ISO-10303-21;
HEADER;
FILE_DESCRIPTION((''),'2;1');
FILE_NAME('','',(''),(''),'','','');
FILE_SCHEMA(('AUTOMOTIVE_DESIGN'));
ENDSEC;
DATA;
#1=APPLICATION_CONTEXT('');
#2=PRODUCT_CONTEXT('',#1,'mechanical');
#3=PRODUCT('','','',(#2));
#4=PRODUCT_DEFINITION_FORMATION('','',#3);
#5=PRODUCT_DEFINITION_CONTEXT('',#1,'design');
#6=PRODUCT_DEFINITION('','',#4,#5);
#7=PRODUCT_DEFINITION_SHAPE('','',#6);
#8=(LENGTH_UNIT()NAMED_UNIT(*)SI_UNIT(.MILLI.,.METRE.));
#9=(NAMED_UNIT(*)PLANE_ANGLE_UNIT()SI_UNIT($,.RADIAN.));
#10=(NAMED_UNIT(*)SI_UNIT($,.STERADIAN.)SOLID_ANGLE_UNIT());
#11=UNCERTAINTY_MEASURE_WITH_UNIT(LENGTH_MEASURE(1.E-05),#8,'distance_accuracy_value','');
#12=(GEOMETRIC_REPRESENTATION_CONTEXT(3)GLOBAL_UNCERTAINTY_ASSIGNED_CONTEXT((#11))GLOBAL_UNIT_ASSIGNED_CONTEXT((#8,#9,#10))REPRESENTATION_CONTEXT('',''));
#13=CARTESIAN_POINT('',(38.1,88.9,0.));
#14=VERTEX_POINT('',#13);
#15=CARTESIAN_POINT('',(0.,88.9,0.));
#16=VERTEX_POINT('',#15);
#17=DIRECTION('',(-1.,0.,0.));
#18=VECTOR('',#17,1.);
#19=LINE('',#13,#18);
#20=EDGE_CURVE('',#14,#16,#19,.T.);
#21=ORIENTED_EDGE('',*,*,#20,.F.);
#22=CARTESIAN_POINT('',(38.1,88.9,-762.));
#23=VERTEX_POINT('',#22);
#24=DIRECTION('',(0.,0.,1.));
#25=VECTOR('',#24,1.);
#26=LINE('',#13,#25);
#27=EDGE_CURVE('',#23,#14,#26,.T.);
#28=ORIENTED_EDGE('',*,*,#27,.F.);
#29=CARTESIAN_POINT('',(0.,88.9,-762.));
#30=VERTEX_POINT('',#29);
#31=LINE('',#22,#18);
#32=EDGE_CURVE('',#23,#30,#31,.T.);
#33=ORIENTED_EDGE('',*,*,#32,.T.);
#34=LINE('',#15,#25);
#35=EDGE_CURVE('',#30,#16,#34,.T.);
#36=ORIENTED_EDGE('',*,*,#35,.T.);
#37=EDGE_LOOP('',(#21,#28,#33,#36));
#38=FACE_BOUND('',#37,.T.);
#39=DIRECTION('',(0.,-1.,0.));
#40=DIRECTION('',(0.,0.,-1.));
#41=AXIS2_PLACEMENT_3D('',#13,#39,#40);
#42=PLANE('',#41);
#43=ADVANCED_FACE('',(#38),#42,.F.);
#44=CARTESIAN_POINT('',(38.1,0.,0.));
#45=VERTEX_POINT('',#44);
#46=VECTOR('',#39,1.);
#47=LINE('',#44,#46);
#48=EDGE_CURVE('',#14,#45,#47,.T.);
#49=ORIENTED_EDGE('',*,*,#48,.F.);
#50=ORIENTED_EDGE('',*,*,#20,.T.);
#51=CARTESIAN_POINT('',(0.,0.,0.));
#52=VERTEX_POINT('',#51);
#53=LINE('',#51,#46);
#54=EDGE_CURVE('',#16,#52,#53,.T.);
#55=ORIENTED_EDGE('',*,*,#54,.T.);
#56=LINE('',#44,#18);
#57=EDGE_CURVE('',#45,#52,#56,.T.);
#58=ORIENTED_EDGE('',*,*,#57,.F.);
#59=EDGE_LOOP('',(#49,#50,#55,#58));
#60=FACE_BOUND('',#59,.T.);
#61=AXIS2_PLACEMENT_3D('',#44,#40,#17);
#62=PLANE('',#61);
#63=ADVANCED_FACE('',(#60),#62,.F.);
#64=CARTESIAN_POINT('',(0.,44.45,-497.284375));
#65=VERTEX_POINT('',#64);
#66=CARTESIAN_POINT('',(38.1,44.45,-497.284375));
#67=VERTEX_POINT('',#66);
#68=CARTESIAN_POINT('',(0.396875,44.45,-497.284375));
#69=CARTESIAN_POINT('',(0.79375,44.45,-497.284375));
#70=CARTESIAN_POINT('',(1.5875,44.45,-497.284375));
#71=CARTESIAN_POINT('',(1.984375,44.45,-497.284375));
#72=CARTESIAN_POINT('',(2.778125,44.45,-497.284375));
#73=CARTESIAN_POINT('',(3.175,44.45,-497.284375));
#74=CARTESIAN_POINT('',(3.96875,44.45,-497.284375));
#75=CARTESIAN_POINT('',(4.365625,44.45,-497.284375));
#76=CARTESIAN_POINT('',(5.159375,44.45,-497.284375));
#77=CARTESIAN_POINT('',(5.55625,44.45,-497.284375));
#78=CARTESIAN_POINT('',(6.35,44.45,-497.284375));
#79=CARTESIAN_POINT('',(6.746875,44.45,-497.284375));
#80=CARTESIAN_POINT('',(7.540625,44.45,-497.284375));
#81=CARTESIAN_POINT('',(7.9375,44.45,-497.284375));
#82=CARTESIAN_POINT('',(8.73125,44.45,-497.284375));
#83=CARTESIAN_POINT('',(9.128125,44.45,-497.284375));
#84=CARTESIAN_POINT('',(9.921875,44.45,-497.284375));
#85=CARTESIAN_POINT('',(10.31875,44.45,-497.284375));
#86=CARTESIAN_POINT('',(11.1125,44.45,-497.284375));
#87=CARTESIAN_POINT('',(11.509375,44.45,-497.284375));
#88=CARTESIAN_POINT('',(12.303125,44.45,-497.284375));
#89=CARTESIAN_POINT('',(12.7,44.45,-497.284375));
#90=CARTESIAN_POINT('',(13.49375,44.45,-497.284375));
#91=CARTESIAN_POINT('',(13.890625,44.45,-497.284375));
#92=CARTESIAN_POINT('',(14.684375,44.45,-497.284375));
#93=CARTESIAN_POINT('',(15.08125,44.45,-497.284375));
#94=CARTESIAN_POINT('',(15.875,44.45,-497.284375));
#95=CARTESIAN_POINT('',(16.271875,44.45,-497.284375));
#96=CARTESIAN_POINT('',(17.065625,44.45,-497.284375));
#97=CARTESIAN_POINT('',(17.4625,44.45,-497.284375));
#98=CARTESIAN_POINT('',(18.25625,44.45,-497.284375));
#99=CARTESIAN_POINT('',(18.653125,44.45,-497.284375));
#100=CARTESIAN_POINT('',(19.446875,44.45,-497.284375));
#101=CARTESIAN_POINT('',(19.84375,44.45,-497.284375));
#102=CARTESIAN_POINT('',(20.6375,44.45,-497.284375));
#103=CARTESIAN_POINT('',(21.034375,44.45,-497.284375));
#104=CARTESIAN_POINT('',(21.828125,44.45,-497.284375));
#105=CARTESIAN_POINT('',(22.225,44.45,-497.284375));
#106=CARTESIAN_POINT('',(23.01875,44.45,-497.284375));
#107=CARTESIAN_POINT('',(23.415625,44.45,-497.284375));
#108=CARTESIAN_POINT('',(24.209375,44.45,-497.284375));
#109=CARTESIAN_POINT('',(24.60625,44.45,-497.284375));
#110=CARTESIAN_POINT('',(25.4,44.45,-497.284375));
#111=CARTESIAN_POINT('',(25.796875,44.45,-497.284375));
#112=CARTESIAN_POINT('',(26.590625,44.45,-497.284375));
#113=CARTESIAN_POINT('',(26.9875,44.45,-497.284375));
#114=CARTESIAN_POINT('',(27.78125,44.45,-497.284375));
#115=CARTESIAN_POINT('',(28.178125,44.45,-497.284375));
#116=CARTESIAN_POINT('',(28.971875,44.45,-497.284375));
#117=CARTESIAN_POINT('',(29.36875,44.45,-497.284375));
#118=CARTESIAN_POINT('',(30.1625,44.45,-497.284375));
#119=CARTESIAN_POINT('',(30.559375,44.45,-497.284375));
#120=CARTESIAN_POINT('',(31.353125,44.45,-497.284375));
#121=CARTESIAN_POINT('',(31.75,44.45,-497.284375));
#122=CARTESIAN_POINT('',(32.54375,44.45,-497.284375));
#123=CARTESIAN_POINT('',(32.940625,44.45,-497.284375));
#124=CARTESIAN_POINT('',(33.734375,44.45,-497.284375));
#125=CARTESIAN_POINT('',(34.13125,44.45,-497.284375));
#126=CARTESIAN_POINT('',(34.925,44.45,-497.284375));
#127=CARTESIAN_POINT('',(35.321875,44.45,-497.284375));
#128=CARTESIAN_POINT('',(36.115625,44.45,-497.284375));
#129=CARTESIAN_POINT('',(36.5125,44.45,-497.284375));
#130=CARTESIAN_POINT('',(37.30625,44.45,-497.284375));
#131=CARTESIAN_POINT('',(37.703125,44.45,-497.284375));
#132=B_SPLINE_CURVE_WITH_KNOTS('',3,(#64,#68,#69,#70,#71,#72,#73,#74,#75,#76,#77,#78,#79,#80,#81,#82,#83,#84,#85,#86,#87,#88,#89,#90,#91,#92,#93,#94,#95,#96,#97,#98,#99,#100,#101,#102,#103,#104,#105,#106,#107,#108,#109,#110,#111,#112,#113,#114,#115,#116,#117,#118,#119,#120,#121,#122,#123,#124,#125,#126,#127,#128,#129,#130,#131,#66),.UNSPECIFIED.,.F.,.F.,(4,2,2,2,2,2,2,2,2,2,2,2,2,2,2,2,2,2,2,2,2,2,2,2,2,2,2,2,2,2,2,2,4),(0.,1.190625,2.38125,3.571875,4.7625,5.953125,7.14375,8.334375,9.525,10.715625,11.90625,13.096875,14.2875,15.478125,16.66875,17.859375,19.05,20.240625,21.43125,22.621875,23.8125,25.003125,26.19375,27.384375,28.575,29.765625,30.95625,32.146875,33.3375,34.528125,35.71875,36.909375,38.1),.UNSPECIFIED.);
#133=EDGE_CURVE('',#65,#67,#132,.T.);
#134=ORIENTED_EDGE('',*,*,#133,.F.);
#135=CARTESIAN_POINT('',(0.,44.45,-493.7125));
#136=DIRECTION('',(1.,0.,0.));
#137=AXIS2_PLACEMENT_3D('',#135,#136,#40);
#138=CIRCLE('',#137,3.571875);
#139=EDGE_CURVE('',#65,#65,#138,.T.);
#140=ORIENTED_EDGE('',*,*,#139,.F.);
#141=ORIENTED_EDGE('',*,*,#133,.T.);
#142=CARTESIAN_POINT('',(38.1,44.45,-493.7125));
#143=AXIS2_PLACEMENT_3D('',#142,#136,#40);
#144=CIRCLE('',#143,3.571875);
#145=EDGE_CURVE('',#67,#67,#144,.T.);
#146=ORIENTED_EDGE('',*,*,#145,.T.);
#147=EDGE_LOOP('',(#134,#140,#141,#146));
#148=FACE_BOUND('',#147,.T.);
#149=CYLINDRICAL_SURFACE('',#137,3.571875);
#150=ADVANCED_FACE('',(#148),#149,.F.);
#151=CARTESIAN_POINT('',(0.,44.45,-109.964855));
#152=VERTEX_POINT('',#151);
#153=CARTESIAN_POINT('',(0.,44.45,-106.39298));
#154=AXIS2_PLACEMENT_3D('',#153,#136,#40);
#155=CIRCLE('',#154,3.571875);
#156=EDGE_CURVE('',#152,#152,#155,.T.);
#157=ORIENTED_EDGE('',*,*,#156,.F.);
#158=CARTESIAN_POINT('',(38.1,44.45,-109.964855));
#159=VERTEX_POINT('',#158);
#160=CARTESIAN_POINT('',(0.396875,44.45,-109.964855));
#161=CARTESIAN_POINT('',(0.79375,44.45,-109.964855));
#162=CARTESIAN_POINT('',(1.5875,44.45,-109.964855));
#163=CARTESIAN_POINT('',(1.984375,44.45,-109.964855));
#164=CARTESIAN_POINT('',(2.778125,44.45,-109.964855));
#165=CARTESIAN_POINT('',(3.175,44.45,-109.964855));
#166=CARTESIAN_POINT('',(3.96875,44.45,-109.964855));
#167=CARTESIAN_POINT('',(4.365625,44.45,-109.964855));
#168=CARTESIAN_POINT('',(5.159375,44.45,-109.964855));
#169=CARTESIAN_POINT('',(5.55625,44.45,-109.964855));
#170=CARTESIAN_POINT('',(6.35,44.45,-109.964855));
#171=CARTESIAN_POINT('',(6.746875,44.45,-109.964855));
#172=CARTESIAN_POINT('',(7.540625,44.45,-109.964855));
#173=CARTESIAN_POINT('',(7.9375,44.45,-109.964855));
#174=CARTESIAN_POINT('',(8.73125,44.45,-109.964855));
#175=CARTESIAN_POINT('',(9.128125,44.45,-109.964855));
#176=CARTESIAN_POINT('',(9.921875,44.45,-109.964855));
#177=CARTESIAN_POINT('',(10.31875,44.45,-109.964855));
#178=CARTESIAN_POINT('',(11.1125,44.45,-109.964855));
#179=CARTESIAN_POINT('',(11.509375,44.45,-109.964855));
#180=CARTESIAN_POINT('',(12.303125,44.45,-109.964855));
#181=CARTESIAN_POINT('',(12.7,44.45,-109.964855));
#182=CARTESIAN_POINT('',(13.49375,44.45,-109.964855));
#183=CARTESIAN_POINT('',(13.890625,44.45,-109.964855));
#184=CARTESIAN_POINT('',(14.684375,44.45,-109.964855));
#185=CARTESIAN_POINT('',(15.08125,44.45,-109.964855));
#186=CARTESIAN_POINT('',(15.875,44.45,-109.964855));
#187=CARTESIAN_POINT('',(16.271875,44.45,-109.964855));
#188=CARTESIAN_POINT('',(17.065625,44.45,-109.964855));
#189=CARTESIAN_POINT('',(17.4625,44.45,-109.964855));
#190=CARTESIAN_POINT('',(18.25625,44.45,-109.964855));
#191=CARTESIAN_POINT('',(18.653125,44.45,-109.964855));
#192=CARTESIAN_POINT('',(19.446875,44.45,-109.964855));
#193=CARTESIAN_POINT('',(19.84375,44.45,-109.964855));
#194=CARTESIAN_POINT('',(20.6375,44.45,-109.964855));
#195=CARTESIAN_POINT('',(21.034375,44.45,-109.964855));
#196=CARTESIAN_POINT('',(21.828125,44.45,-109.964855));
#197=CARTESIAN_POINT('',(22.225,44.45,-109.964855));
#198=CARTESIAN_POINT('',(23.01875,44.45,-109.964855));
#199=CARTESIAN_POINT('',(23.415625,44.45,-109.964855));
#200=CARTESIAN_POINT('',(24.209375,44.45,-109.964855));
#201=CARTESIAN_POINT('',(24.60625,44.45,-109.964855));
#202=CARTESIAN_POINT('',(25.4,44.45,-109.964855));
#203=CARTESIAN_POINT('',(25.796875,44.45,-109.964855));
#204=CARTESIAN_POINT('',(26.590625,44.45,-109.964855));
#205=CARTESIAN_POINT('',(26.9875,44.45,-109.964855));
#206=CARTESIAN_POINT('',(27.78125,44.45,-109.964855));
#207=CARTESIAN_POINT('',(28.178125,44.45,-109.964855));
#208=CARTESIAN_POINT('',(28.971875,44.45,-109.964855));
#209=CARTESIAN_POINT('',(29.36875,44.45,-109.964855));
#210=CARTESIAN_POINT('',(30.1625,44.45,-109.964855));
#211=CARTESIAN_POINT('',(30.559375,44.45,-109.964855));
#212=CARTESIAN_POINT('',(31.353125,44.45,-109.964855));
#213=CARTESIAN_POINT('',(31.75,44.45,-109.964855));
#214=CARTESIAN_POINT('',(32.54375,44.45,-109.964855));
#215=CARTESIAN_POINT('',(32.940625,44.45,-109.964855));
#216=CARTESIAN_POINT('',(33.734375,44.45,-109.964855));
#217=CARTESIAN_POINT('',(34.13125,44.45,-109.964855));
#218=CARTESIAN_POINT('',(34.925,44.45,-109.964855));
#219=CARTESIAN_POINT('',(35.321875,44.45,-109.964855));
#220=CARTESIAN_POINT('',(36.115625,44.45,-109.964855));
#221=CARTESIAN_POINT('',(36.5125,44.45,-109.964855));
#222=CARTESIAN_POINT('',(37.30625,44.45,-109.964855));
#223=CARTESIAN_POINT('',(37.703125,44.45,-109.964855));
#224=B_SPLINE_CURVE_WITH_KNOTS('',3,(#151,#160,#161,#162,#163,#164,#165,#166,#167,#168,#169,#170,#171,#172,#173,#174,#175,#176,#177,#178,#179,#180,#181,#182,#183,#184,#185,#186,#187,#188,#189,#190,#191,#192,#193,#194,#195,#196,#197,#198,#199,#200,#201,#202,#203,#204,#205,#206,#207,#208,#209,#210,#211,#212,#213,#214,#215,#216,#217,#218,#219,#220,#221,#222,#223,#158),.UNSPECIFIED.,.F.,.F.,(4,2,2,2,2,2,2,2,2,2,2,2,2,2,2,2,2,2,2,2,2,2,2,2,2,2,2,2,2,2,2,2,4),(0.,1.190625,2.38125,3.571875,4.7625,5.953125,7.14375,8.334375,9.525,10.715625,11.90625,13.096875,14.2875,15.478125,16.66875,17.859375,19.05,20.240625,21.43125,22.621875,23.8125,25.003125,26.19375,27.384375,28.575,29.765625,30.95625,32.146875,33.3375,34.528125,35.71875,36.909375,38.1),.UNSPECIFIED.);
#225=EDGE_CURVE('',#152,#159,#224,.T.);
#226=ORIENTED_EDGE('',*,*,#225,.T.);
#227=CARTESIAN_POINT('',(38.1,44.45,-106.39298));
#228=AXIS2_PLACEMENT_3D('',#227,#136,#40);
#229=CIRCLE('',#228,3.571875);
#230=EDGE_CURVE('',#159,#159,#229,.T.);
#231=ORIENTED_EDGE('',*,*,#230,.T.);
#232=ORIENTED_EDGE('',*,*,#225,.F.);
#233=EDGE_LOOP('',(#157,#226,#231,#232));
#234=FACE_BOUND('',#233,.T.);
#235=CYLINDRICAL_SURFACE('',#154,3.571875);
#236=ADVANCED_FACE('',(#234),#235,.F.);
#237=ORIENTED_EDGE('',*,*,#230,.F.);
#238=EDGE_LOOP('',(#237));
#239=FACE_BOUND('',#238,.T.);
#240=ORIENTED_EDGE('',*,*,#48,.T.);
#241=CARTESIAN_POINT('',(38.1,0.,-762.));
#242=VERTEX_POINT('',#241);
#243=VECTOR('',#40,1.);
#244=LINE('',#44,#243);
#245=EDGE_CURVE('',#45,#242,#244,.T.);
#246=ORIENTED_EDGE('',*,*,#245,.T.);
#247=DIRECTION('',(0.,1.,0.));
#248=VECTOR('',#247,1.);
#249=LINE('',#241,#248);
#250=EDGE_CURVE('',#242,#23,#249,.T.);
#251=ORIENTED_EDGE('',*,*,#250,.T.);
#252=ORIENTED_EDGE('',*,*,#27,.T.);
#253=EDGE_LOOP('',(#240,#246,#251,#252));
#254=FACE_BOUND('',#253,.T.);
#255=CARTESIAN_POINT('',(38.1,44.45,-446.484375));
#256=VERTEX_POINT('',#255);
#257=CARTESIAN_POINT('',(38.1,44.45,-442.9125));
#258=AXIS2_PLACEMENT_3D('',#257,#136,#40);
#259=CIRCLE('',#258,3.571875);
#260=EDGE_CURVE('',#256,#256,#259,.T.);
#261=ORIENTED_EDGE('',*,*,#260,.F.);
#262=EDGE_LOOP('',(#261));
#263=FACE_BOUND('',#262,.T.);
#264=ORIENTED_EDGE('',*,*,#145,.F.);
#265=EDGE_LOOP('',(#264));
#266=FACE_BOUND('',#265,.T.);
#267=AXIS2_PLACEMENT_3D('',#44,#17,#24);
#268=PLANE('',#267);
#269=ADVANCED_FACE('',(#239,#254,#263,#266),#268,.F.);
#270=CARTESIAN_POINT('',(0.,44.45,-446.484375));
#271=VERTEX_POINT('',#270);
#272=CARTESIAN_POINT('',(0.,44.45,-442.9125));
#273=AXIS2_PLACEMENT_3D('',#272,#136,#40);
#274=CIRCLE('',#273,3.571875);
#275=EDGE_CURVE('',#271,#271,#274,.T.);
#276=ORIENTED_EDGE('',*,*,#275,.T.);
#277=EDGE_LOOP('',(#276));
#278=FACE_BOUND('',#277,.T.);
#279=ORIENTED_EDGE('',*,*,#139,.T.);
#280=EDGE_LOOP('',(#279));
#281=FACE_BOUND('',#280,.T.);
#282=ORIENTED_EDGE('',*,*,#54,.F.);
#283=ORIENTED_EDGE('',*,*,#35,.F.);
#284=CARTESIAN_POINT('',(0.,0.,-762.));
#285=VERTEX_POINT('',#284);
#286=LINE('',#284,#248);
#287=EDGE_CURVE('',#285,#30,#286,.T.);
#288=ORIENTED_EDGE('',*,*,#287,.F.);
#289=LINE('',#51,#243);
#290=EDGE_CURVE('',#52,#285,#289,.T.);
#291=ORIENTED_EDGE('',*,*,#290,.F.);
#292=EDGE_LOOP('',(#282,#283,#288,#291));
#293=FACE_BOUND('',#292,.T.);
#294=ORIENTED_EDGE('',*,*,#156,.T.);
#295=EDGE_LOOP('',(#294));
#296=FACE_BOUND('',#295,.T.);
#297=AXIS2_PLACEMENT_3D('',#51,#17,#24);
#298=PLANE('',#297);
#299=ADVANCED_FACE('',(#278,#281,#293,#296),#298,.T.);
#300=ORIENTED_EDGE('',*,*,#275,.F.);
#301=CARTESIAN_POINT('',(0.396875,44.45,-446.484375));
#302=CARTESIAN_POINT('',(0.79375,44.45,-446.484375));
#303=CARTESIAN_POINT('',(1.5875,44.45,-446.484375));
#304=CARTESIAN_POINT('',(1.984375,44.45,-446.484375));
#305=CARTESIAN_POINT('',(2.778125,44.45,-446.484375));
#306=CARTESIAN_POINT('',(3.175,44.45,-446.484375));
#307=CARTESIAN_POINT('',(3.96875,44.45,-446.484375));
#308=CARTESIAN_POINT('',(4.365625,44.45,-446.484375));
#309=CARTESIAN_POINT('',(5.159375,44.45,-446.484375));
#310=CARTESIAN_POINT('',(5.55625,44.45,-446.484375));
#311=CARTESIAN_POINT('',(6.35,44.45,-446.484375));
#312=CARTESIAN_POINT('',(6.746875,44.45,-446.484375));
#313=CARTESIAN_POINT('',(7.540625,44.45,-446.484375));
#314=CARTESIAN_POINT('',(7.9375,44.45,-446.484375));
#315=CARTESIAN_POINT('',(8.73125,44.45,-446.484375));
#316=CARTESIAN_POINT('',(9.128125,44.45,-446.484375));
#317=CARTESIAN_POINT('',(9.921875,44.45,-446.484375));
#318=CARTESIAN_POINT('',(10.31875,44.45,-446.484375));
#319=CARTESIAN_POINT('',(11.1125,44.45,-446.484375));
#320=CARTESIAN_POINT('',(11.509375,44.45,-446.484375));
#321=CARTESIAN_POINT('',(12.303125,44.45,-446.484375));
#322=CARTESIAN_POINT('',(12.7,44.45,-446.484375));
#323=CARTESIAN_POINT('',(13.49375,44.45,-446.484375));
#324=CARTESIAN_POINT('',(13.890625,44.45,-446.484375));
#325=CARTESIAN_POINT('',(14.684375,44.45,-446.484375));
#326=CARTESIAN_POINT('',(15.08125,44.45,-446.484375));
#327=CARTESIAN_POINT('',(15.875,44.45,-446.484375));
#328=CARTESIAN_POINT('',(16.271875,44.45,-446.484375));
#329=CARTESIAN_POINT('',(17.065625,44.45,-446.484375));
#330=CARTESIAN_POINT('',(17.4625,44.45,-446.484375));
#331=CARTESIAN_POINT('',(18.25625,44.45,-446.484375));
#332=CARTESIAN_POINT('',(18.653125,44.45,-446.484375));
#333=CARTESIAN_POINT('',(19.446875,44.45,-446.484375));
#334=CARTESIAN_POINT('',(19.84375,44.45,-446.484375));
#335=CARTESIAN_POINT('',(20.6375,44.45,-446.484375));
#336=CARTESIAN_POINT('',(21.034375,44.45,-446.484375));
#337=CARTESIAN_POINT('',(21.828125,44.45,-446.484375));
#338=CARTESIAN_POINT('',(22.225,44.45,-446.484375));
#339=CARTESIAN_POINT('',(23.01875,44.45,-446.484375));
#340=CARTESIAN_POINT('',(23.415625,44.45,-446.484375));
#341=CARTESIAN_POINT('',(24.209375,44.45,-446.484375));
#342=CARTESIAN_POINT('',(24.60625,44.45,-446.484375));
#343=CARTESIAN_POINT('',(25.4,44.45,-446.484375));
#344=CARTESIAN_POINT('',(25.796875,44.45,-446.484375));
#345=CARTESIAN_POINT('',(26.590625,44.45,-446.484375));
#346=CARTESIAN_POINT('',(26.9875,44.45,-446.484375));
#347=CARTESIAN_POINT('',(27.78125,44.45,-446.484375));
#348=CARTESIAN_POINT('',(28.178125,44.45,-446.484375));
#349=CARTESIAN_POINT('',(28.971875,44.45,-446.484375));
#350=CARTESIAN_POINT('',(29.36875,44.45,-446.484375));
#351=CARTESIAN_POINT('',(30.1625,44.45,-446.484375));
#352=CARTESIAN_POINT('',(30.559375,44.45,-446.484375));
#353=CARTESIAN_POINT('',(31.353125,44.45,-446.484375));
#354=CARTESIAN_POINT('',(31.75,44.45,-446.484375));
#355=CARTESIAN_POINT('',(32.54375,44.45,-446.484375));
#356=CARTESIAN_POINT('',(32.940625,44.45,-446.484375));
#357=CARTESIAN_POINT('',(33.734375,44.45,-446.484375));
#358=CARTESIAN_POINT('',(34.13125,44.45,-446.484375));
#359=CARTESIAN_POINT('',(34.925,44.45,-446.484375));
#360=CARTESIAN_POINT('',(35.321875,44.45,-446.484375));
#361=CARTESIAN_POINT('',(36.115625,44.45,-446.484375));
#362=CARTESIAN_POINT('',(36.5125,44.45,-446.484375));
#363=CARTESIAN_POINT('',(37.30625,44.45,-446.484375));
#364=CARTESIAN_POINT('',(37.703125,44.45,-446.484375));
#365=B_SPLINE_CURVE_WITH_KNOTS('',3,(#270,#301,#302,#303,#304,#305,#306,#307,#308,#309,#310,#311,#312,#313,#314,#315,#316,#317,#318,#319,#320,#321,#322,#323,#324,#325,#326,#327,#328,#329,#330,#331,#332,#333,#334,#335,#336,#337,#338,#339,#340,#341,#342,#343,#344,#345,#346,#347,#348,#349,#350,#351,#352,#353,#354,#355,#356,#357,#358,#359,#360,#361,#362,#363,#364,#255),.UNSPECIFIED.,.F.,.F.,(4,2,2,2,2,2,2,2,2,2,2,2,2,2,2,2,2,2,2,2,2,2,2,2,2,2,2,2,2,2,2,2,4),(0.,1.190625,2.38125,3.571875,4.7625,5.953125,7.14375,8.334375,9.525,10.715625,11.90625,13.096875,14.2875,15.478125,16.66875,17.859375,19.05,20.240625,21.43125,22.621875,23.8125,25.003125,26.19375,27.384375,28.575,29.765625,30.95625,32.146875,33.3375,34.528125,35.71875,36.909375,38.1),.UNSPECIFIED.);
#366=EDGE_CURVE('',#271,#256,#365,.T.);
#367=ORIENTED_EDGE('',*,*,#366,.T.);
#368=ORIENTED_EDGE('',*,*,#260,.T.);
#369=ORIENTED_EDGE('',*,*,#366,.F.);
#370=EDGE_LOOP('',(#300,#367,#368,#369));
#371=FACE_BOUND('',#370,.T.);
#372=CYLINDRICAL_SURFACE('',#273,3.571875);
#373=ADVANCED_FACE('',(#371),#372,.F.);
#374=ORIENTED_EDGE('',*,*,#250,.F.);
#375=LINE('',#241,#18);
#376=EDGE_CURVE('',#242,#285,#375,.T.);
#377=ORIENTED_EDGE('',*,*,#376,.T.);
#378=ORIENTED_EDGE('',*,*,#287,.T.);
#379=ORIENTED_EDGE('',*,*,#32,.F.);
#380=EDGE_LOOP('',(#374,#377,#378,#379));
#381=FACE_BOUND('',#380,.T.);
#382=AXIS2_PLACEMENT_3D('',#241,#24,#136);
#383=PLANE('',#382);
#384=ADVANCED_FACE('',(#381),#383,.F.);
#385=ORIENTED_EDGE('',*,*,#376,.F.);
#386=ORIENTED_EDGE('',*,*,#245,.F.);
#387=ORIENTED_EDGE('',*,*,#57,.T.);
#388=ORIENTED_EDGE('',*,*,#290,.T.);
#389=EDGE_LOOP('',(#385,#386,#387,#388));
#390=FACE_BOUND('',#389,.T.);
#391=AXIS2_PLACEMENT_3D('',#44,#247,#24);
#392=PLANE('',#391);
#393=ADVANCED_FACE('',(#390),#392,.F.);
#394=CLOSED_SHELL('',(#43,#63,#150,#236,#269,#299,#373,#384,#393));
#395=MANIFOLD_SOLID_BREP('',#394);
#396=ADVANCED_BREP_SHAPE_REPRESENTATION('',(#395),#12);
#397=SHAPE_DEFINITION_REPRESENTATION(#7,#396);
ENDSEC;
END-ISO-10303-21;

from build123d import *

# Parameters (mm, degrees)
SKETCH1_W           = 762
SKETCH1_H           = 88.9
BOSS_EXTRUDE1_DEPTH = 38.1
SKETCH2_R           = 3.571875
CUT_EXTRUDE1_DEPTH  = 769.113806672


with BuildPart() as part:
    # Sketch1 → Boss-Extrude1 (new body)
    with BuildSketch(Plane(origin=(0, 0, 0), x_dir=(0, 0, -1), z_dir=(1, 0, 0))):
        with Locations((381, 44.45)):
            Rectangle(SKETCH1_W, SKETCH1_H)
    extrude(amount=BOSS_EXTRUDE1_DEPTH)

    # Sketch2 → Cut-Extrude1 (cut, through all)
    with BuildSketch(Plane(origin=(38.1, 0, 0), x_dir=(0, 0, -1), z_dir=(1, 0, 0))):
        with Locations((106.39298, 44.45)):
            Circle(SKETCH2_R)
        with Locations((442.9125, 44.45)):
            Circle(SKETCH2_R)
        with Locations((493.7125, 44.45)):
            Circle(SKETCH2_R)
    extrude(amount=-CUT_EXTRUDE1_DEPTH, mode=Mode.SUBTRACT)


solid = part.part
